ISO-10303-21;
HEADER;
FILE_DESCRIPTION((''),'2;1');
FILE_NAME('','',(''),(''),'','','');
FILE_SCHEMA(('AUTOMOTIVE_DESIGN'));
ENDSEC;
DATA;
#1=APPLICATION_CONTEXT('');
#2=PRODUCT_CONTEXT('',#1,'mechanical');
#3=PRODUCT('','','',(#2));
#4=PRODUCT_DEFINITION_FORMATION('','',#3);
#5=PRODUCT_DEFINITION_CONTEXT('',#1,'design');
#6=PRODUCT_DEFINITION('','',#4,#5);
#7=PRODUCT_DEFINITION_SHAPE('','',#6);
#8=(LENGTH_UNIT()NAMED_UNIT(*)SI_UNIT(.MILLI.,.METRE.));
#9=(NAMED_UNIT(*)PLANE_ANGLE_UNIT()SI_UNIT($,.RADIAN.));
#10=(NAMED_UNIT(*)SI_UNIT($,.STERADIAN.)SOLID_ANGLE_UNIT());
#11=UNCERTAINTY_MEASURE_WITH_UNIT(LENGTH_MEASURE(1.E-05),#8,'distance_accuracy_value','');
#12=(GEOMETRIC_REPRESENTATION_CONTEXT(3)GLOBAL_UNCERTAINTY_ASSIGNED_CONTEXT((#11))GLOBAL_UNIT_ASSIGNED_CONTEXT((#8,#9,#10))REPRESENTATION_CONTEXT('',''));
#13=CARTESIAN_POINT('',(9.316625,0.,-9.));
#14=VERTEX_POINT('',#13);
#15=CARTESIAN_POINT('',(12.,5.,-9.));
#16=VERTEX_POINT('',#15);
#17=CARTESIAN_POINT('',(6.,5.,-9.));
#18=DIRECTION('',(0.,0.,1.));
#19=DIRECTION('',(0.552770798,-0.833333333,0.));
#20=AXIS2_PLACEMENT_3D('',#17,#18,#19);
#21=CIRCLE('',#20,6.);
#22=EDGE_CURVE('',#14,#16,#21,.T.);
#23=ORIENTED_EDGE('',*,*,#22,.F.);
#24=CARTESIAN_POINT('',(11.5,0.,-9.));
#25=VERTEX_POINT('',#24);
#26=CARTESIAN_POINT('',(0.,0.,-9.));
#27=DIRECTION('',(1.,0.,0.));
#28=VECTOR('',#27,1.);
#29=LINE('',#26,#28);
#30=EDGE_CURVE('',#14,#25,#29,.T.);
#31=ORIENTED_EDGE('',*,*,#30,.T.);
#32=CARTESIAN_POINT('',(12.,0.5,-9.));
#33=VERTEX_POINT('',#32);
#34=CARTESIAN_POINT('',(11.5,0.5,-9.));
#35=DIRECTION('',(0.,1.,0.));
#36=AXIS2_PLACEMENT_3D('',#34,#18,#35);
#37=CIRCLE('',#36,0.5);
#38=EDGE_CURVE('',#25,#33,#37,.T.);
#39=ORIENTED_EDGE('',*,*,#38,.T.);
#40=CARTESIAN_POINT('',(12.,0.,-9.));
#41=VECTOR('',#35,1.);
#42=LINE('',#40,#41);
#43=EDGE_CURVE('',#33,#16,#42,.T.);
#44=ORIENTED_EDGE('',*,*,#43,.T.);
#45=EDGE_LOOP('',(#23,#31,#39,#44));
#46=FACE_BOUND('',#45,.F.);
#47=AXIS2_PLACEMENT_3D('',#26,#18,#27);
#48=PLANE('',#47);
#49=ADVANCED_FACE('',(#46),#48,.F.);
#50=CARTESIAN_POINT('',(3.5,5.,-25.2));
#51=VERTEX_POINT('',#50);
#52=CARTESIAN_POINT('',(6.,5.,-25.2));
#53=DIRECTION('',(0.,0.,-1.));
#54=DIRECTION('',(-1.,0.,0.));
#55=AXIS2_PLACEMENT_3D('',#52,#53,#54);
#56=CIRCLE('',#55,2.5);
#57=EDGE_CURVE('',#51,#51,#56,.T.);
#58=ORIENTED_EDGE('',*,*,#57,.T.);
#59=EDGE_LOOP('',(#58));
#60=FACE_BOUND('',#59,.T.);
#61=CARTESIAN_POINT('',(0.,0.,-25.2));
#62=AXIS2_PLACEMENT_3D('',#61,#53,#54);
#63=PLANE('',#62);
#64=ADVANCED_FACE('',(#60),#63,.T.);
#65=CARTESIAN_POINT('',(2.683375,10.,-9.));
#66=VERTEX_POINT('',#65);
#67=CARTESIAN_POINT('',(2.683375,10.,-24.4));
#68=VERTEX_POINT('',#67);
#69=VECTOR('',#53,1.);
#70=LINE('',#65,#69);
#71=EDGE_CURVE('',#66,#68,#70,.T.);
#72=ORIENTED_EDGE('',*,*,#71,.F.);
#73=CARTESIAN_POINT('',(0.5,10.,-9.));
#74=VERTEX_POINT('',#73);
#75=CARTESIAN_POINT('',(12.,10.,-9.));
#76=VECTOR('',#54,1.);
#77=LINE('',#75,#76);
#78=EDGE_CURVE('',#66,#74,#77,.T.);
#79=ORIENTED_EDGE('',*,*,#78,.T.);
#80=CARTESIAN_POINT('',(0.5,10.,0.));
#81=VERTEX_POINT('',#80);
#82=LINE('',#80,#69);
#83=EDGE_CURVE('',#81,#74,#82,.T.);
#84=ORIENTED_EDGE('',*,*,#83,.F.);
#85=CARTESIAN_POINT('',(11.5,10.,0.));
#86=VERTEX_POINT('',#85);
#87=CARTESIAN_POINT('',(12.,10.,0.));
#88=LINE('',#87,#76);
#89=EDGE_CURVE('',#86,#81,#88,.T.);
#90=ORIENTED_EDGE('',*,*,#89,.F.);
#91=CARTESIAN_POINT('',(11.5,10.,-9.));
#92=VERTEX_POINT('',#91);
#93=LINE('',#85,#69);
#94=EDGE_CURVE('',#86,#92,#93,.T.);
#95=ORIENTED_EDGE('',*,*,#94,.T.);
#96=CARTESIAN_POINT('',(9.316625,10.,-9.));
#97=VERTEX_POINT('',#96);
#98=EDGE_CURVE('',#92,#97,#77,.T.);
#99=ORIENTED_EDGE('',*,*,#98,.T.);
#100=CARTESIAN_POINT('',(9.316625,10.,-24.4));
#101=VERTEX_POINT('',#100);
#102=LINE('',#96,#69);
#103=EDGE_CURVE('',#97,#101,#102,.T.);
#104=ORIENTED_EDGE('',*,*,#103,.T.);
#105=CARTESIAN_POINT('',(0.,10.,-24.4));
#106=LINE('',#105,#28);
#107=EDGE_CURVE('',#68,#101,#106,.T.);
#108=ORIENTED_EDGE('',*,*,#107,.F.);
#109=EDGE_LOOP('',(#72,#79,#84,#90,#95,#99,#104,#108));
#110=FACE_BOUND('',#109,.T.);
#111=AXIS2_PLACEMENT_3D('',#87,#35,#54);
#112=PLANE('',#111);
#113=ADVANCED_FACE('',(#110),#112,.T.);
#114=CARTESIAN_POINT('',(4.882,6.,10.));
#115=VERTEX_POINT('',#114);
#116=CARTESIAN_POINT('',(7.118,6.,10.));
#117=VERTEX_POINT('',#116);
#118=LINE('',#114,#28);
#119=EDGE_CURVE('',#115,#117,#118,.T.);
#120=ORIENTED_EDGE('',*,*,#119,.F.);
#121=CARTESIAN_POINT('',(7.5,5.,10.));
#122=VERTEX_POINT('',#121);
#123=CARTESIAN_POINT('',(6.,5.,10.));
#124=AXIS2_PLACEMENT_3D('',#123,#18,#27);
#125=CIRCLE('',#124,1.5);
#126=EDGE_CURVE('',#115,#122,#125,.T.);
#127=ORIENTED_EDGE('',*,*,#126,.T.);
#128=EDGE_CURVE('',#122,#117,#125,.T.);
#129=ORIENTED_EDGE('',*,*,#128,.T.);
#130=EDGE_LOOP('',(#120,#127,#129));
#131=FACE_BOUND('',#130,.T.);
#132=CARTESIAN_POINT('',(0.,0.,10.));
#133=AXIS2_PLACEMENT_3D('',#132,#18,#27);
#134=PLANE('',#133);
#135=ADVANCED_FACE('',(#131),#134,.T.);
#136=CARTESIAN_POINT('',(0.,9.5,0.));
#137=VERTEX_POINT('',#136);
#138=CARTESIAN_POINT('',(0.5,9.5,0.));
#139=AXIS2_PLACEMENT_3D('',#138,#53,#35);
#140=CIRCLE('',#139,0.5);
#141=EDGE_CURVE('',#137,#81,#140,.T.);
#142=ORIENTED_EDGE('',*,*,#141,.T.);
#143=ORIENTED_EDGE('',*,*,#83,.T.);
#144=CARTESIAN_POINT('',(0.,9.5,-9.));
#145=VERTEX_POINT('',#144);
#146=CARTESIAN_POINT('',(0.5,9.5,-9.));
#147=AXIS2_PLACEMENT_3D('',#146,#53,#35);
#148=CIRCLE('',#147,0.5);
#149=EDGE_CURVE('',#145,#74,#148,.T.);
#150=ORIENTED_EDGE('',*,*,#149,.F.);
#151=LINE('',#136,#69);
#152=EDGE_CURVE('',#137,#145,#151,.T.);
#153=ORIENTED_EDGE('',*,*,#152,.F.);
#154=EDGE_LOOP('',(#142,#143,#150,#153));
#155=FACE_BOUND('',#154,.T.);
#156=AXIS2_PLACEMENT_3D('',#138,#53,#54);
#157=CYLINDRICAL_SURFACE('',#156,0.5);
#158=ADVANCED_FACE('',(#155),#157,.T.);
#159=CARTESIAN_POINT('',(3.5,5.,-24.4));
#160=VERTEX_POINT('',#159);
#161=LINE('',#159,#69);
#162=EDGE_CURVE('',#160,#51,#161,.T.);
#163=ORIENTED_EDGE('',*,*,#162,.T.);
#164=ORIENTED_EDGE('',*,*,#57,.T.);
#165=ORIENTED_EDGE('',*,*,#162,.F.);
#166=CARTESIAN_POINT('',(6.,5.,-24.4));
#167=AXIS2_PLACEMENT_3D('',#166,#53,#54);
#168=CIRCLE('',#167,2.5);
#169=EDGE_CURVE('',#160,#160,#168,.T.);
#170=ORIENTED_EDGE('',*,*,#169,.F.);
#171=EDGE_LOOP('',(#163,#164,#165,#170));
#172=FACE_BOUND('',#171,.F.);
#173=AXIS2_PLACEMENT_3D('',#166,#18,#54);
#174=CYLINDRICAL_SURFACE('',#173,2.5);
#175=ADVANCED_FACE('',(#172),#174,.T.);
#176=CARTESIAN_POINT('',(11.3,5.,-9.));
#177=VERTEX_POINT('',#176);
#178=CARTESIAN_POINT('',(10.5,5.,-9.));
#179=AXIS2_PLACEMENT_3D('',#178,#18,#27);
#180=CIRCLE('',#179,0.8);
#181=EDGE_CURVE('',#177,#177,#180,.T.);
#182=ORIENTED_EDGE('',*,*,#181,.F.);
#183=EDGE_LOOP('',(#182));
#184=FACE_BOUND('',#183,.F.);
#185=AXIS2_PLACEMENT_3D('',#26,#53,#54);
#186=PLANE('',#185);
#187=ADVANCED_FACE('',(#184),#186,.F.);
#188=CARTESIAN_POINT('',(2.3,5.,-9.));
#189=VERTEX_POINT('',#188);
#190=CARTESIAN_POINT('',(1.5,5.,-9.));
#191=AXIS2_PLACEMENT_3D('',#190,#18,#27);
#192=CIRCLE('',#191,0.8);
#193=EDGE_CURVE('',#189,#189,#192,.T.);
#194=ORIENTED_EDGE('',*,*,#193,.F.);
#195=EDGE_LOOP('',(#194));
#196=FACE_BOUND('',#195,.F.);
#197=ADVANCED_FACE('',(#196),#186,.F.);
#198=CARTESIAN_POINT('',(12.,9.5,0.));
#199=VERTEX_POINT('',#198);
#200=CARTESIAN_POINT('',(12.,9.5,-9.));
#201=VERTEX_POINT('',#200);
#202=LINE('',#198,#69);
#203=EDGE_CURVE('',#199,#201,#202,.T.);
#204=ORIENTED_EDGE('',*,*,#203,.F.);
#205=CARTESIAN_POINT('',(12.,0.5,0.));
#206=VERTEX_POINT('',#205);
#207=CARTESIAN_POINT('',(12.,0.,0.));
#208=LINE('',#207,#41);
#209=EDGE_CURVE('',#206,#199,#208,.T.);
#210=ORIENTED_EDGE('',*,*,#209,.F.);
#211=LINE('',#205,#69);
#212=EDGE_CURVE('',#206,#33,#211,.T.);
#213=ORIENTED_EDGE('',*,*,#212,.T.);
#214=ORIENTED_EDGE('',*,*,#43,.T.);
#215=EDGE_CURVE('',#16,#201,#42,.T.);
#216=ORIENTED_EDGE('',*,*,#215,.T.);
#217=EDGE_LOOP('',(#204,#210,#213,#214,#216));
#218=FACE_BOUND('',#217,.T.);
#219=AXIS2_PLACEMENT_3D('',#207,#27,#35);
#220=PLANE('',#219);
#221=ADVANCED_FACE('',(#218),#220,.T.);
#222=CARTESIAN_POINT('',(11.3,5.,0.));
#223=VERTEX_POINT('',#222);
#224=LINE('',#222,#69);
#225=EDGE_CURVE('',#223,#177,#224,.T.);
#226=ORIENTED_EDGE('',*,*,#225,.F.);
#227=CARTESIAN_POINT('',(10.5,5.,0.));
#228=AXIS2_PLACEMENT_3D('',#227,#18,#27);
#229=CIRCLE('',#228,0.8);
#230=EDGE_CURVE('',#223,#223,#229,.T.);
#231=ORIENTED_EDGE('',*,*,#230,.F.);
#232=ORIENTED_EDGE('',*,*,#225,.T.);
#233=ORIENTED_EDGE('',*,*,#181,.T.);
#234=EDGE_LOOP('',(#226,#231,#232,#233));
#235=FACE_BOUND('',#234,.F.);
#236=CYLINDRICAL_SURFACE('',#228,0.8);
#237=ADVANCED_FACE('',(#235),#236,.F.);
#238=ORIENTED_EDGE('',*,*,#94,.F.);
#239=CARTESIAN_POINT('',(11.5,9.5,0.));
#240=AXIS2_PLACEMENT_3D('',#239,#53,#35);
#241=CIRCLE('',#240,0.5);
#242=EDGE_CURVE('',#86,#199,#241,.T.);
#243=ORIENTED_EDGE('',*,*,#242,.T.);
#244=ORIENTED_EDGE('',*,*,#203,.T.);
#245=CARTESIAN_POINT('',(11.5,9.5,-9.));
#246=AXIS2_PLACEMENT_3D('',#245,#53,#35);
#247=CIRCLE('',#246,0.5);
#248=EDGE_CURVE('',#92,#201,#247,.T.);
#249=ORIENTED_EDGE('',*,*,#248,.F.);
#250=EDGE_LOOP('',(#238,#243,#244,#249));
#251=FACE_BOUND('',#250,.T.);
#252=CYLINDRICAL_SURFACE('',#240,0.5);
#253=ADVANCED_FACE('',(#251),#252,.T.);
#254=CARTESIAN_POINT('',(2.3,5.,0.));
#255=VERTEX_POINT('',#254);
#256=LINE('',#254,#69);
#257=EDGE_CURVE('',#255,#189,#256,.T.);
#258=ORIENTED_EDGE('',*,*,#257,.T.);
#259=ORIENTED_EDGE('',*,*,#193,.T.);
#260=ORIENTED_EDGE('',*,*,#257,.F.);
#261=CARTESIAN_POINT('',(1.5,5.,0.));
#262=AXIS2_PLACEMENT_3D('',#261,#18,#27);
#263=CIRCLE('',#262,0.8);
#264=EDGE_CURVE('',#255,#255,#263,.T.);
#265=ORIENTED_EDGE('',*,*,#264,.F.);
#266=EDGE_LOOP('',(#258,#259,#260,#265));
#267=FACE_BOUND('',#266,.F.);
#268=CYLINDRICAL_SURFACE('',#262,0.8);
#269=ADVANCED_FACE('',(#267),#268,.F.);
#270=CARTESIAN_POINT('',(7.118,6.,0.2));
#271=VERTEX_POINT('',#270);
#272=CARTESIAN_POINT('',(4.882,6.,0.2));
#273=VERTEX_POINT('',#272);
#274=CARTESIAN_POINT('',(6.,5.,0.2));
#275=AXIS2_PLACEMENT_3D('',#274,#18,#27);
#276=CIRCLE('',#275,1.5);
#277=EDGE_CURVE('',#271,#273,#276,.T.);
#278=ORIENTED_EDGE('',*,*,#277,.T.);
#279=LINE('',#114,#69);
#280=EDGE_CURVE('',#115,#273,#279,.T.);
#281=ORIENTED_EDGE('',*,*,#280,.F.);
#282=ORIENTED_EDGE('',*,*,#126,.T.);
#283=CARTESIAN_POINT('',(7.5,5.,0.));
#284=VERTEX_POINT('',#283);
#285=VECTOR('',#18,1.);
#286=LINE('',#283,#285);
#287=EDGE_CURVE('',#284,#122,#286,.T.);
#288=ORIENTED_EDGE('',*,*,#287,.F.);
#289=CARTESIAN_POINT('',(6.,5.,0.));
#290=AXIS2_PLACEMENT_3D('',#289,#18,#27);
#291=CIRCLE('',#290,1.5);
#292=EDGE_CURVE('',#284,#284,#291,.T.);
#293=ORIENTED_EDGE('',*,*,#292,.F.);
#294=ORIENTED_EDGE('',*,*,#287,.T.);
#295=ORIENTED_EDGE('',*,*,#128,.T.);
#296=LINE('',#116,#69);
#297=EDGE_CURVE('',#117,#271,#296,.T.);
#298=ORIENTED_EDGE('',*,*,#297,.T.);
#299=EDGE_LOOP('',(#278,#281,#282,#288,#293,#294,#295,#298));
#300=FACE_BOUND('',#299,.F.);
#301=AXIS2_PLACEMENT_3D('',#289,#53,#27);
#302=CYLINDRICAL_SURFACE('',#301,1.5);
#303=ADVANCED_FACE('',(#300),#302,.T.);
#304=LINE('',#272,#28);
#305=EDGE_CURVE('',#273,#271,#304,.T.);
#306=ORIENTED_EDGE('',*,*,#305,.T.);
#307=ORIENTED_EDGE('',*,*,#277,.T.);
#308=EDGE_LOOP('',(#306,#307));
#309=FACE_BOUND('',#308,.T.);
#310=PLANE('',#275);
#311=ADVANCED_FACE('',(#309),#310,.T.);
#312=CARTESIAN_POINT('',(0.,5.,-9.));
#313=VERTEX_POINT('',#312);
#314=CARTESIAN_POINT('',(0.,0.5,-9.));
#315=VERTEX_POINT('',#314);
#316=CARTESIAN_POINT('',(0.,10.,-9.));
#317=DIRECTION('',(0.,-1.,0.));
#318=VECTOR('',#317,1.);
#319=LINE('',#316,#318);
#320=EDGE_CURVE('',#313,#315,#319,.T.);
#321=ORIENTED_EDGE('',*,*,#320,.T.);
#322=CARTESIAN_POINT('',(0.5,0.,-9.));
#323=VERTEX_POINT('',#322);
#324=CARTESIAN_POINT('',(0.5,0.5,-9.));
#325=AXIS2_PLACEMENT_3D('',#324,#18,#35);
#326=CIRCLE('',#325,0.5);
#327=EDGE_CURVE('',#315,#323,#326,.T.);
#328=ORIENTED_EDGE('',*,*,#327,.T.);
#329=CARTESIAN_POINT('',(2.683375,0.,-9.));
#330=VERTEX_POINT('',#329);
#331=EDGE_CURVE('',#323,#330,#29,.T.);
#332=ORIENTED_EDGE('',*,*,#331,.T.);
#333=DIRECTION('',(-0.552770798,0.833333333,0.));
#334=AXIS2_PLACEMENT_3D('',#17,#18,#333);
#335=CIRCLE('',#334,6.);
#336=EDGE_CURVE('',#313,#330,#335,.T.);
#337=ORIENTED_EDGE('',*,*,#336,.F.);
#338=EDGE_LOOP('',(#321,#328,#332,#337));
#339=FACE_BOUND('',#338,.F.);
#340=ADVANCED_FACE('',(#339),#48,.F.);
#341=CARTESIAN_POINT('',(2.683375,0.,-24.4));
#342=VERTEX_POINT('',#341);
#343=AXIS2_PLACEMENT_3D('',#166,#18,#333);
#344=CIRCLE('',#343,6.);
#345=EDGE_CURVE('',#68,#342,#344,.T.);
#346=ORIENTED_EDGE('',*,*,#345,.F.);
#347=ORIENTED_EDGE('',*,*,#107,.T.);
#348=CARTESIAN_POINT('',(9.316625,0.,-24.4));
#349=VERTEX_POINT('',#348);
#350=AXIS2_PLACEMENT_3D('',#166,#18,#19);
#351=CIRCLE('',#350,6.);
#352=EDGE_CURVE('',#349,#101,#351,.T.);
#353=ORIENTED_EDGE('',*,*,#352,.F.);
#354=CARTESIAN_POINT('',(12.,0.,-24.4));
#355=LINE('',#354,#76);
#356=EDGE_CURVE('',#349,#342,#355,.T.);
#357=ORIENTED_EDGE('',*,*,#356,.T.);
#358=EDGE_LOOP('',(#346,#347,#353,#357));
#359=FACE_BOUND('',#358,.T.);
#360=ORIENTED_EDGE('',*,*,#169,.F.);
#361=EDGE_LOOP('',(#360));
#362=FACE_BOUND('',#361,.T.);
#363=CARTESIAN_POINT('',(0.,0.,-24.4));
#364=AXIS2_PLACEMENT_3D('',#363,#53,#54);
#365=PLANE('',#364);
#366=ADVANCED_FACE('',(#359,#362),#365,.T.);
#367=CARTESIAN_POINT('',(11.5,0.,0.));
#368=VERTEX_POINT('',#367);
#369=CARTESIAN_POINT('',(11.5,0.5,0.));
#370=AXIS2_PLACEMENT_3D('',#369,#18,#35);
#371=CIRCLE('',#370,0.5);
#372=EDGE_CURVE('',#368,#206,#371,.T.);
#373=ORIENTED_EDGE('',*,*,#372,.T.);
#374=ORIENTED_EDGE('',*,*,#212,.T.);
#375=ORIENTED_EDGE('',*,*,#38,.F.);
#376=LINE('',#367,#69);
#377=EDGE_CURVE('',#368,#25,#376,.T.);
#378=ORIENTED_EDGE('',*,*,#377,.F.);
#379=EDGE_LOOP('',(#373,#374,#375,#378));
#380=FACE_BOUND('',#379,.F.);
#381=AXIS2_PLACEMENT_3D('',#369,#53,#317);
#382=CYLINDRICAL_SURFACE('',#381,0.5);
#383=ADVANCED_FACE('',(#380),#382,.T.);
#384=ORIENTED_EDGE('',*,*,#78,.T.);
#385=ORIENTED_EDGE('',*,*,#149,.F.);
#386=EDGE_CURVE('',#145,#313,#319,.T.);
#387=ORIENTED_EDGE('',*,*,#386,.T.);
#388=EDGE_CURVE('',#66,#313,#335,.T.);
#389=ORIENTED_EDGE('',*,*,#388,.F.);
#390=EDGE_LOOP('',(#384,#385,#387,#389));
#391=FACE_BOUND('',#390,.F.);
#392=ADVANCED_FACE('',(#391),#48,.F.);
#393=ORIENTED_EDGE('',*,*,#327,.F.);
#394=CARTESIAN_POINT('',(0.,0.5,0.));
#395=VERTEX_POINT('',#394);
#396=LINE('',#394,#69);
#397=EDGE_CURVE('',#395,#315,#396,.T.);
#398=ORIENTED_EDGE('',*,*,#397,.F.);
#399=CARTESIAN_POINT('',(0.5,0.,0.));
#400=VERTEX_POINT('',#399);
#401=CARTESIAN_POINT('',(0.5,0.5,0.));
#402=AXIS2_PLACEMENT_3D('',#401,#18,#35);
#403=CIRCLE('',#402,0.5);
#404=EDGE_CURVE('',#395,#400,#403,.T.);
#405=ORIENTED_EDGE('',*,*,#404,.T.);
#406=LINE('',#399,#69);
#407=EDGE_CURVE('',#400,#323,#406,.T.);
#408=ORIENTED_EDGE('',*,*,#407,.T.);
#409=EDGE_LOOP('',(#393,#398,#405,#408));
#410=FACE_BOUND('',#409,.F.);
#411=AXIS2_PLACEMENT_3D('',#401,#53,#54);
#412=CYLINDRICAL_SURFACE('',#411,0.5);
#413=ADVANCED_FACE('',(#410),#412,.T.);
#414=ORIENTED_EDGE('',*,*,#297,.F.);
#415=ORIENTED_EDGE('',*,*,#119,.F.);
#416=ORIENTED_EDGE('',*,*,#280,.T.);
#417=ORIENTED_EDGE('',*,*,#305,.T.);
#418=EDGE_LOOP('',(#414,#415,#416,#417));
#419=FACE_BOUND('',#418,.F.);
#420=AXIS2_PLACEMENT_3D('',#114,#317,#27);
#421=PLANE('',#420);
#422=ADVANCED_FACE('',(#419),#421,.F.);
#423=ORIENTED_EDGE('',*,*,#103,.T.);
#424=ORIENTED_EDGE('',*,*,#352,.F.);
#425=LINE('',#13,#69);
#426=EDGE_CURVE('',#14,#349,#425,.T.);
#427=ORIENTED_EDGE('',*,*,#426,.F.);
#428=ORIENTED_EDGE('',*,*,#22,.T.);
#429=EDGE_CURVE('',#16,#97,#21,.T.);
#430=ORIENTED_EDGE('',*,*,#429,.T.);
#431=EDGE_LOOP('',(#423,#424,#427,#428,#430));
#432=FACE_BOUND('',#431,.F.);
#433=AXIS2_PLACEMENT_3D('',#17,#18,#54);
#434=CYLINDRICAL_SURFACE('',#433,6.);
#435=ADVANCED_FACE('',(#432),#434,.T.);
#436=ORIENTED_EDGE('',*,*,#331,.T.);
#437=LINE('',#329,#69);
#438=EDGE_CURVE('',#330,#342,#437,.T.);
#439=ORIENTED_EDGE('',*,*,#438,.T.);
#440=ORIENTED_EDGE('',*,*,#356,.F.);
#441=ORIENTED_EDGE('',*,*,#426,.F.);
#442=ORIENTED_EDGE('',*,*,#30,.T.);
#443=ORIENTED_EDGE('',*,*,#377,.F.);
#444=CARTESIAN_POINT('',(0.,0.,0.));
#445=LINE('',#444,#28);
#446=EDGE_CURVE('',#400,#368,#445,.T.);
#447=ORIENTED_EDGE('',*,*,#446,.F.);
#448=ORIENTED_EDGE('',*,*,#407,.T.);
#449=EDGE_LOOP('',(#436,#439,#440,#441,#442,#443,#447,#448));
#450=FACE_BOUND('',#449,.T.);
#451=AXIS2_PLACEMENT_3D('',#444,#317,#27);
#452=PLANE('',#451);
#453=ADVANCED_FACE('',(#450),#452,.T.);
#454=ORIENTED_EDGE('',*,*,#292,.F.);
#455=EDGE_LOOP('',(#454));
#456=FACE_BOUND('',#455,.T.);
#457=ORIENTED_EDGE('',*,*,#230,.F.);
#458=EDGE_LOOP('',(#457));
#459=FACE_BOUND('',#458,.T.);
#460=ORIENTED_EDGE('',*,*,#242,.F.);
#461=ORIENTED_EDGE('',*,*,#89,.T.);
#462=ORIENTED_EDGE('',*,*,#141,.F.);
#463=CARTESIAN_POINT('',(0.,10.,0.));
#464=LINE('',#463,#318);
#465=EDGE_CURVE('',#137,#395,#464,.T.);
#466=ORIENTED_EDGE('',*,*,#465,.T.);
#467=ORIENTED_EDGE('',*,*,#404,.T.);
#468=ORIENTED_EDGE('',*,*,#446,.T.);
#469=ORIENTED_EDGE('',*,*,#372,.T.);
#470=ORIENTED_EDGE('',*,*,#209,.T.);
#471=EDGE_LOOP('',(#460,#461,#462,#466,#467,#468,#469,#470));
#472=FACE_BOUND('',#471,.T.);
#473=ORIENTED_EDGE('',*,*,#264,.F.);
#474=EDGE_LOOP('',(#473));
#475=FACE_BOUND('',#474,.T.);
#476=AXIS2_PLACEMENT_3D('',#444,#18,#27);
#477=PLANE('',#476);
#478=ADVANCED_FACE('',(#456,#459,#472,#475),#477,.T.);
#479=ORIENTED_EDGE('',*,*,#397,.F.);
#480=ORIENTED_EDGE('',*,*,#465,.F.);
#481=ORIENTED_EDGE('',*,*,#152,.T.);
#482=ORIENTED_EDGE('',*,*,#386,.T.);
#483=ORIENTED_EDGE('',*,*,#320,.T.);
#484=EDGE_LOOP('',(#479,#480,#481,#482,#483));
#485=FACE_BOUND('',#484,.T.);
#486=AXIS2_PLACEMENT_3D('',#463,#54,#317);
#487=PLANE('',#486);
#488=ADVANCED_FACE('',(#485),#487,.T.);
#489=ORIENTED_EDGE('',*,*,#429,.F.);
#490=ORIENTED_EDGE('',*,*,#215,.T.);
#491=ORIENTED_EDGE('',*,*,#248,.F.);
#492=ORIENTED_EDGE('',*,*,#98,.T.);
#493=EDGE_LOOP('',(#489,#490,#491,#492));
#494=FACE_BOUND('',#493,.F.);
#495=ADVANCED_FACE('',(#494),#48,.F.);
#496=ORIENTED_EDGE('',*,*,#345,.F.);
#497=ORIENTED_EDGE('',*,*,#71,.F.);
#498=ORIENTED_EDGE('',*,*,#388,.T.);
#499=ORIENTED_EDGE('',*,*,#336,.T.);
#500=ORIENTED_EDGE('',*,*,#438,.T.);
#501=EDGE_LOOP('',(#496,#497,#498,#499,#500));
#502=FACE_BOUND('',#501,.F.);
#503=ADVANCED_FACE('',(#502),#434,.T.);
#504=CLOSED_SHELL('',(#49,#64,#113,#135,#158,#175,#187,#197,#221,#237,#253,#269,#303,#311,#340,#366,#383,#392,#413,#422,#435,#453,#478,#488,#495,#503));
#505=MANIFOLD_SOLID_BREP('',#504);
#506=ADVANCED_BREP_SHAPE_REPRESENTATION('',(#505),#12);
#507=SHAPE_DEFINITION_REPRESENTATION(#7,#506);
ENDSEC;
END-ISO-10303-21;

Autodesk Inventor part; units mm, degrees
ref_plane "YZ Plane" through (0, 0, 0) normal (1, 0, 0) x (0, 1, 0)
ref_plane "XZ Plane" through (0, 0, 0) normal (0, 1, 0) x (-1, 0, 0)
ref_plane "XY Plane" through (0, 0, 0) normal (0, 0, 1) x (1, 0, 0)
sketch "Sketch1" plane through (0, 0, 0) normal (0, 0, 1) x (1, 0, 0)
  line L0 (0, 0) -> (12, 0)
  line L1 (12, 0) -> (12, 10)
  line L2 (12, 10) -> (0, 10)
  line L3 (0, 10) -> (0, 0)
  line L4 (6, 10) -> (6, 0) construction
  line L5 (1.5, 5) -> (10.5, 5) construction
  circle A0 centre (1.5, 5) radius 0.8
  circle A1 centre (10.5, 5) radius 0.8
  circle A2 centre (6, 5) radius 1.5
  dimension "d0" = 10
  dimension "d1" = 12
  dimension "d2" = 9
  dimension "d3" = 1.6
  dimension "d4" = 3
extrude "Extrusion1" add sketch "Sketch1" against normal blind 9 contours L3 L2 L1 L0 | A0 | A1 | A2
extrude "Extrusion2" cut sketch "Sketch1" against normal through all contours A0 | A1
extrude "Extrusion3" add sketch "Sketch1" along normal blind 10 contours A2
sketch "Sketch2" plane through (6, 5, 10) normal (0, 0, 1) x (1, 0, 0)
  circle A0 centre (0, 0) radius 1.5 projected
  circle A1 centre (0, 0) radius 1.5 projected
  line L0 (-1.118, 1) -> (1.118, 1)
  point P0 (-6, -5)
  point P1 (-1.118, 1)
  point P2 (1.118, 1)
  dimension "d11" = 1
extrude "Extrusion4" cut sketch "Sketch2" against normal blind 9.8 contours L0 A0 picked at (-0.0599, 1.1631)
sketch "Sketch3" plane through (0, 0, -9) normal (0, 0, -1) x (-1, 0, 0)
  circle A0 centre (-6, 5) radius 1.5 projected
  circle A1 centre (-6, 5) radius 6
  circle A2 centre (-10.5, 5) radius 0.8 projected
  circle A3 centre (-1.5, 5) radius 0.8 projected
  line L0 (-12, 0) -> (0, 0) projected
  line L1 (0, 0) -> (0, 10) projected
  line L2 (0, 10) -> (-12, 10) projected
  line L3 (-12, 10) -> (-12, 0) projected
  point P0 (-2.6834, 10)
  point P1 (-9.3166, 10)
  point P2 (-9.3166, 0)
  point P3 (-2.6834, 0)
extrude "Extrusion5" add sketch "Sketch3" along normal blind 15.4 contours A0 | A1 L0 L2 | A2 | A3
sketch "Sketch4" plane through (0, 0, -24.4) normal (0, 0, -1) x (-1, 0, 0)
  arc A0 (-2.6834, 0) -> (-2.6834, 10) centre (-6, 5) ccw projected
  circle A1 centre (-6, 5) radius 2.5
  point P0 (0, 0)
  dimension "d16" = 5
extrude "Extrusion6" add sketch "Sketch4" along normal blind 0.8
fillet "Fillet1" radius 0.5 4 edges at (12, 10, -4.5) (0, 10, -4.5) (12, 0, -4.5) (0, 0, -4.5)
properties part number "n20"
